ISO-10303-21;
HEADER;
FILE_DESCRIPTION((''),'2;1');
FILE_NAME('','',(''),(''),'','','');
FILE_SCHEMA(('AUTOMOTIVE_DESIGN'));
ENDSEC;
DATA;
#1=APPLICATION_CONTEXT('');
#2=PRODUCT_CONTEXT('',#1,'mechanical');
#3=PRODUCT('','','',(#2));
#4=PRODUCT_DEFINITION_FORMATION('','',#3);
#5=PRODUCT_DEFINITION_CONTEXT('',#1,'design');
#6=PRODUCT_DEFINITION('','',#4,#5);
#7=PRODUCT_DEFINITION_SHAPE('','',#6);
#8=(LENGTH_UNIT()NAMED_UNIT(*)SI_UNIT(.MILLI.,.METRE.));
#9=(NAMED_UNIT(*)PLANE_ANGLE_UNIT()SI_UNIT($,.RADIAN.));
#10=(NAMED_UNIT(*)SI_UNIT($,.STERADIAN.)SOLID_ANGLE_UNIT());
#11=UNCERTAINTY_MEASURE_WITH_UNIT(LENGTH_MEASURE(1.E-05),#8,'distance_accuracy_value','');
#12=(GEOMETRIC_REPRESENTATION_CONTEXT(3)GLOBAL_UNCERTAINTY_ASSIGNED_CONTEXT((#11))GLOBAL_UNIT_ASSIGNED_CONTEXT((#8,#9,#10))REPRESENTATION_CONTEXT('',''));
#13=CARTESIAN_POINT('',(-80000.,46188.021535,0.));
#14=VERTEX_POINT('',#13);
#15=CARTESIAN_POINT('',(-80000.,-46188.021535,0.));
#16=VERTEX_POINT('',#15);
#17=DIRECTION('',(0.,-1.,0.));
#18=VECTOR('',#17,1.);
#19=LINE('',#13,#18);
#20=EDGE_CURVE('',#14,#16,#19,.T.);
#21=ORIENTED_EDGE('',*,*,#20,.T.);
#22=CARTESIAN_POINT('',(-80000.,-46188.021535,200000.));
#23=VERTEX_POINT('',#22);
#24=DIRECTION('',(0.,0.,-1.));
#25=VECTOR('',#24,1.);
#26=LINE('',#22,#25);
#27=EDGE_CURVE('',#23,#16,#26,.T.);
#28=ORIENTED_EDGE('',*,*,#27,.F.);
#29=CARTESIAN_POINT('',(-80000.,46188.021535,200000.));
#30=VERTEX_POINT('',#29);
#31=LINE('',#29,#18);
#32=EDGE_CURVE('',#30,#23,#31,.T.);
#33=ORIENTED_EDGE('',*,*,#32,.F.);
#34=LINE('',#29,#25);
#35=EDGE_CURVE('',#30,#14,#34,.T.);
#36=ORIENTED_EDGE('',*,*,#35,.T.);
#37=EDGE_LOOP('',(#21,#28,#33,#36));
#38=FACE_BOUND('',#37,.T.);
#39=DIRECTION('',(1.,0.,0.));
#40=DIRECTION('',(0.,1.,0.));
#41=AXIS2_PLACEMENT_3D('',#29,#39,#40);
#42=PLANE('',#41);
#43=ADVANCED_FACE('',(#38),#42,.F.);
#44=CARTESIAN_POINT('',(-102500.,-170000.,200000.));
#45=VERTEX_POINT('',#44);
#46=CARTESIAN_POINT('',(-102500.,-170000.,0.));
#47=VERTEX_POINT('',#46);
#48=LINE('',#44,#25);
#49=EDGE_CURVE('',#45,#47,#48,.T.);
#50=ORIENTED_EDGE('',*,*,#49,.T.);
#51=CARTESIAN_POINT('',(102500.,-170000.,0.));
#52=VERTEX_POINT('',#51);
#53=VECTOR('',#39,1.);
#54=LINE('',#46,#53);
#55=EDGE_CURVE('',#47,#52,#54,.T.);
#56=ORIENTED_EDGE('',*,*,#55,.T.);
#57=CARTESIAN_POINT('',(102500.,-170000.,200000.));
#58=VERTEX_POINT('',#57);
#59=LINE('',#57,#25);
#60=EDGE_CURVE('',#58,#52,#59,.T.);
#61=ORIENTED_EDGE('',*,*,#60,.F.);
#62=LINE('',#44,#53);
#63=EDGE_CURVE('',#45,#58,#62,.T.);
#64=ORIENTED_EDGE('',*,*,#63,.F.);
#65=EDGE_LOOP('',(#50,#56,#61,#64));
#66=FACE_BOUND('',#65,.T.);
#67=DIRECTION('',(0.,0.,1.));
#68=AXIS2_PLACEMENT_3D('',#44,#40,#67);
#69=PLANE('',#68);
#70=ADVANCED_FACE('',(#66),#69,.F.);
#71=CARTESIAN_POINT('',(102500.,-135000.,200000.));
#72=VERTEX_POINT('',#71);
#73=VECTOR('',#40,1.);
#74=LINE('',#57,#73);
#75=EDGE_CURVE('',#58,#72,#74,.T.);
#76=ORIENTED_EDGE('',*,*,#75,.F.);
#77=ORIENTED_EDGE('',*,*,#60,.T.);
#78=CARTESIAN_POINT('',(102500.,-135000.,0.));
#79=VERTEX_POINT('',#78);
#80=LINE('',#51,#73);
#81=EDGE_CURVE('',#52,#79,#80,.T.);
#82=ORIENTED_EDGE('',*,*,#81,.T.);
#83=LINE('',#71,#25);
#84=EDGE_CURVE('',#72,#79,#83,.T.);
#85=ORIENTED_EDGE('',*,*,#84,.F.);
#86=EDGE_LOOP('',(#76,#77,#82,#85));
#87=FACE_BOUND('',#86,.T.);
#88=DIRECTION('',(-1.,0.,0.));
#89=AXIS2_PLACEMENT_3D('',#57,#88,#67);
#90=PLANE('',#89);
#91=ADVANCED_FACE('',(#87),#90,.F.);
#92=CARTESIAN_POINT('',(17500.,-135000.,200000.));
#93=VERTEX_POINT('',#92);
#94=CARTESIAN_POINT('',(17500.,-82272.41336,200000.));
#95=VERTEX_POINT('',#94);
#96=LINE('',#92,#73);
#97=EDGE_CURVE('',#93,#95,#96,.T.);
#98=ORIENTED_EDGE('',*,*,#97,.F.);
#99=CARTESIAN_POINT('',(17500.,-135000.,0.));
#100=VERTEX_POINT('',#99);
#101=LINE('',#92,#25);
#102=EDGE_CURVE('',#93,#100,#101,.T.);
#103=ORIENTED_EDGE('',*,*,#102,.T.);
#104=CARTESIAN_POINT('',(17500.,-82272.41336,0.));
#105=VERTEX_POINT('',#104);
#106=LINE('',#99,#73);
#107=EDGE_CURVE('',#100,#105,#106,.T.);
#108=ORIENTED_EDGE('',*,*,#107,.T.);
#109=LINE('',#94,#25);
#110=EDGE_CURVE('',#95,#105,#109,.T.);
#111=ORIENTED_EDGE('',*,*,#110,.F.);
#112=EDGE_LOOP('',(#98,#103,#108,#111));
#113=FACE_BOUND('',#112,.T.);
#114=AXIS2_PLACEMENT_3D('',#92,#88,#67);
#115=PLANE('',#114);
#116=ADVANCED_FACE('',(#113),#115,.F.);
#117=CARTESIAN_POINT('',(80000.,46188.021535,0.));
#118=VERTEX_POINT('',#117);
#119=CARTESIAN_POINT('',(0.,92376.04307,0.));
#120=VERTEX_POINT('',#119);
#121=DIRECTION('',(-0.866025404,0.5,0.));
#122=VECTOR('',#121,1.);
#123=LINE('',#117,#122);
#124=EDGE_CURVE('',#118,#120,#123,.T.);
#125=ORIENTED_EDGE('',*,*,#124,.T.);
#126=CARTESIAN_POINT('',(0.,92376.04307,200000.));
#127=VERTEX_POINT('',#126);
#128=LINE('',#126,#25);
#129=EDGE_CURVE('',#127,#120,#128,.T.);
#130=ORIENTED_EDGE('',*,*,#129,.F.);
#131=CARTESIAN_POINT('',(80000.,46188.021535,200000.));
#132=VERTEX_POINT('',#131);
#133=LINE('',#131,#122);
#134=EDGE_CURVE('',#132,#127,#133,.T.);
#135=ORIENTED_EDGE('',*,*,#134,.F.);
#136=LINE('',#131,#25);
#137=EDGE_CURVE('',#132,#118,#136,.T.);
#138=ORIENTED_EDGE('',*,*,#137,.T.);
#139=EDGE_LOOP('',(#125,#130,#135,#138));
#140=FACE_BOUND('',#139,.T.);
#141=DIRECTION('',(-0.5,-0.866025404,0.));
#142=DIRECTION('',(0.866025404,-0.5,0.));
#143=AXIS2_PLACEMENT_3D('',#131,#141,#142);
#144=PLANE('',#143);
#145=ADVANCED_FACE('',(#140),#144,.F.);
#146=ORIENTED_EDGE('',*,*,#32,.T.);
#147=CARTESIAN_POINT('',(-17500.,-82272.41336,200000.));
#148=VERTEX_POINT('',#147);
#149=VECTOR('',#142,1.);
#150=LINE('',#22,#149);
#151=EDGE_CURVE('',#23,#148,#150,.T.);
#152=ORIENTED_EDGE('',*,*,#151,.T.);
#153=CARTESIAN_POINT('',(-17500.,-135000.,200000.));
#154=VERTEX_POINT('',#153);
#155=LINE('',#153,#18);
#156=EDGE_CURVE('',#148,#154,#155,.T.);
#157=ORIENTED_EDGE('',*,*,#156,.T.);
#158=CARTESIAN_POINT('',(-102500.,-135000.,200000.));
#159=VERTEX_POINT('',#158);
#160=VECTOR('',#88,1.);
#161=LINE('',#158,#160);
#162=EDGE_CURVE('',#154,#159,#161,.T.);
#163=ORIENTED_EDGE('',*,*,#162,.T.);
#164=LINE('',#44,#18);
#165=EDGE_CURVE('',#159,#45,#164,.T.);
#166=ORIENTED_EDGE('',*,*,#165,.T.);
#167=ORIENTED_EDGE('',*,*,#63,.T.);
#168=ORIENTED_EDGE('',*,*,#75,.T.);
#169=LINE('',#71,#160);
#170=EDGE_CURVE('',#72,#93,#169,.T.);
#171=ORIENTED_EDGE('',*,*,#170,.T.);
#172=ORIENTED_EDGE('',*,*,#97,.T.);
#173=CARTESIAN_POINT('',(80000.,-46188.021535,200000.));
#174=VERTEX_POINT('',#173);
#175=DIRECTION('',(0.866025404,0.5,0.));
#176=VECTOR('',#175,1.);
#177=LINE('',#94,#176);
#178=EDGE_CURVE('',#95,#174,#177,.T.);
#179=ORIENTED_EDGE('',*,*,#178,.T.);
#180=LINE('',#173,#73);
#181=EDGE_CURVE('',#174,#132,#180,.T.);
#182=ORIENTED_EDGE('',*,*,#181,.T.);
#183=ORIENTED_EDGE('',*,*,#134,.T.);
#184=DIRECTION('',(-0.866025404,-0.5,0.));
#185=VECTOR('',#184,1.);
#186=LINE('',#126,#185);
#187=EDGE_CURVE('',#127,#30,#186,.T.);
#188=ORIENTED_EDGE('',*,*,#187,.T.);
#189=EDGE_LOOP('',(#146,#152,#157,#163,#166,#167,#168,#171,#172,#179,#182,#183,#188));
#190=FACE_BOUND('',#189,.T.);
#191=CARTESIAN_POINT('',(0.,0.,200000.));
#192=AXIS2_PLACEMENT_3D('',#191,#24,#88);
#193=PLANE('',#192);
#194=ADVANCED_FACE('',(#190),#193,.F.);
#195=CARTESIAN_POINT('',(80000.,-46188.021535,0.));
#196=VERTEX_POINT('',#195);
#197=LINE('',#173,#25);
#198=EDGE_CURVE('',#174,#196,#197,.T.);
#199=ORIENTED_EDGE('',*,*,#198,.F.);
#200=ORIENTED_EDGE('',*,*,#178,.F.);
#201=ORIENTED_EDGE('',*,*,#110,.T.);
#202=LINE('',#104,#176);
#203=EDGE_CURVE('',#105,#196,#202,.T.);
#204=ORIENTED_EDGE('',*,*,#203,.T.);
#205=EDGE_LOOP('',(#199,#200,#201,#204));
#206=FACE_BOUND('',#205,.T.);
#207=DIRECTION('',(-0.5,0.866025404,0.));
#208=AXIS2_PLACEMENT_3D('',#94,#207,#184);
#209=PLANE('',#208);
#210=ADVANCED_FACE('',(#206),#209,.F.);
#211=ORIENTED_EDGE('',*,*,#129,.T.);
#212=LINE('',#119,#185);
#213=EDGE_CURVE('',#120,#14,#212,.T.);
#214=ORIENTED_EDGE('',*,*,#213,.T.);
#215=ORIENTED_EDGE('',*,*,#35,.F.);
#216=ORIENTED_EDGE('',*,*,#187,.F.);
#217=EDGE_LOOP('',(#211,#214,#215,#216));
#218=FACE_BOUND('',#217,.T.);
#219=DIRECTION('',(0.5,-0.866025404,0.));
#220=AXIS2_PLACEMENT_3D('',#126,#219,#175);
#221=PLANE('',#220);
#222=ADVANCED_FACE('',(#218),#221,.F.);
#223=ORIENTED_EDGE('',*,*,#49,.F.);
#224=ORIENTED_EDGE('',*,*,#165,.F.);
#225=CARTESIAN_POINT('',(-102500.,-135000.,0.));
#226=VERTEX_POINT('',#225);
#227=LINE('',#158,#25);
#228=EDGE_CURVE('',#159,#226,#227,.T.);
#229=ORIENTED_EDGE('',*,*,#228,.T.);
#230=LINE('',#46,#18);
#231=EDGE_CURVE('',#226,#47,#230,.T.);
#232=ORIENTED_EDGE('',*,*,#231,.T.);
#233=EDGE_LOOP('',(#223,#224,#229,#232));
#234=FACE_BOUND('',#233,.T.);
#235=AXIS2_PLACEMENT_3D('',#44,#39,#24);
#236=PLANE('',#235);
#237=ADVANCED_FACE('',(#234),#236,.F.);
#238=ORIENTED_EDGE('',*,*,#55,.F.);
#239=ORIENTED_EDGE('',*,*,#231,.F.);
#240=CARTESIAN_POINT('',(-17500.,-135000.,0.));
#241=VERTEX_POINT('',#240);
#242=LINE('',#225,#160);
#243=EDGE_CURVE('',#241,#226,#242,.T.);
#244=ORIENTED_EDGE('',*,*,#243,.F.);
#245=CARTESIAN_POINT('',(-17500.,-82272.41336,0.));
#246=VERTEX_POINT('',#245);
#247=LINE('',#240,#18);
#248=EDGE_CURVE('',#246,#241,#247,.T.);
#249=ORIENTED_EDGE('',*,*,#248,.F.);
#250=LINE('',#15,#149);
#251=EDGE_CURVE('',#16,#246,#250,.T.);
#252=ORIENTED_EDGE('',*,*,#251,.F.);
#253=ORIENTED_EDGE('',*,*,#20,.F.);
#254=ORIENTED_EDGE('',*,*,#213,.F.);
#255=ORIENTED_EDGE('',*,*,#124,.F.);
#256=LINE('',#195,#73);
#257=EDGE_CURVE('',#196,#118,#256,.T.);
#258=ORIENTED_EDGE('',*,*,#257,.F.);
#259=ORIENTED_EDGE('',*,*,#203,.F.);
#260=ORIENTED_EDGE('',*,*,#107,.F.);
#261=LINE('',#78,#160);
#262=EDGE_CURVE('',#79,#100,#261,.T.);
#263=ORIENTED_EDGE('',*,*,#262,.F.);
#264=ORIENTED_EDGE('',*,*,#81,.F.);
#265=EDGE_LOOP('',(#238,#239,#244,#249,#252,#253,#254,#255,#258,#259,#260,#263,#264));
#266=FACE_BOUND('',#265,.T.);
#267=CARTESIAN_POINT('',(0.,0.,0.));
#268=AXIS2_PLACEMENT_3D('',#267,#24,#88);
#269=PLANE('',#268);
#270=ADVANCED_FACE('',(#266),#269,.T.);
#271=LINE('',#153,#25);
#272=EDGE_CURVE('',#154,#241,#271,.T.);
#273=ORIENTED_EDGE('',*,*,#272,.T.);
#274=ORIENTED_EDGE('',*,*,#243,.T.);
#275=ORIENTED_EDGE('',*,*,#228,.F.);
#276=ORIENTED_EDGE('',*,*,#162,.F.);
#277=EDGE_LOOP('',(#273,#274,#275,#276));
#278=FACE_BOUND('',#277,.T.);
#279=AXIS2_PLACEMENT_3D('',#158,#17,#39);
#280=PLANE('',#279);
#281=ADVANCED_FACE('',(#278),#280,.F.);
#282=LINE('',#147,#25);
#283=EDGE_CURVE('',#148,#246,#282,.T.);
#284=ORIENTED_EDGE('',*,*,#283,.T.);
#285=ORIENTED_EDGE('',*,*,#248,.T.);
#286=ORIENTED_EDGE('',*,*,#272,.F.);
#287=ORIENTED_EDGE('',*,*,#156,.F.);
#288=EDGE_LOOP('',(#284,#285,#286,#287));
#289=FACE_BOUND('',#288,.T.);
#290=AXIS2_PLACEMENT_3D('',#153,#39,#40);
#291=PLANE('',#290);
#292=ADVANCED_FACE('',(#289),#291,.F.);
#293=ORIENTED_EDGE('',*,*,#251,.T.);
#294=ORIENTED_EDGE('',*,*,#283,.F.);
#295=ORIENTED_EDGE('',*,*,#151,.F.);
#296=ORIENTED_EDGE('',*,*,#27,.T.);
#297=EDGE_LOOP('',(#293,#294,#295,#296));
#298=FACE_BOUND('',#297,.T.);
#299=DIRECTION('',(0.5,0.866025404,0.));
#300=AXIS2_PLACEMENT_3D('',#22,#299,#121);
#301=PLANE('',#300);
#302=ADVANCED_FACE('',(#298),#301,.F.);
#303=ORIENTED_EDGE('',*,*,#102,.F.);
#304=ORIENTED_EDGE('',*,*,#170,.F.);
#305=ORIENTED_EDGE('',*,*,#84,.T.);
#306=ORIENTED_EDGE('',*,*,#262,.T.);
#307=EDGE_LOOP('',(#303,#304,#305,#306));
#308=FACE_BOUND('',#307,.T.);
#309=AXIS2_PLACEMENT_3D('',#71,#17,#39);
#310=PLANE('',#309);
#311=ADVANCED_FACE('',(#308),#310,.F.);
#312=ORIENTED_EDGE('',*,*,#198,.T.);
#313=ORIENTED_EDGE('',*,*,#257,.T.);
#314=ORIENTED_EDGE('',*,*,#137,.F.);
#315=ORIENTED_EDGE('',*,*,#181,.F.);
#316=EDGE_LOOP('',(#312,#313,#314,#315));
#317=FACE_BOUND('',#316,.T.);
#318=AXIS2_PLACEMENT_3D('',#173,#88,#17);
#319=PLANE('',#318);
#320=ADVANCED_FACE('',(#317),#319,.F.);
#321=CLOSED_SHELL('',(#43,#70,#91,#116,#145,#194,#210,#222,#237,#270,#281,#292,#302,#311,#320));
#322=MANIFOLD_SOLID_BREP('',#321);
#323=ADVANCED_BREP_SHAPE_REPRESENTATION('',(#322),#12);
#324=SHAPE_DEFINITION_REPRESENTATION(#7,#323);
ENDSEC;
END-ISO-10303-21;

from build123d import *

# Parameters (mm, degrees)
BOSS_EXTRUDE1_DEPTH = 200000


with BuildPart() as part:
    # Sketch1 → Boss-Extrude1 (new body)
    with BuildSketch(Plane.XY):
        Polygon((0, 92376.04307034), (-80000, 46188.02153517), (-80000, -46188.02153517), (-17500, -82272.413359522), (-17500, -135000), (-102500, -135000), (-102500, -170000), (102500, -170000), (102500, -135000), (17500, -135000), (17500, -82272.413359522), (80000, -46188.02153517), (80000, 46188.02153517), align=None)
    extrude(amount=BOSS_EXTRUDE1_DEPTH)


solid = part.part
